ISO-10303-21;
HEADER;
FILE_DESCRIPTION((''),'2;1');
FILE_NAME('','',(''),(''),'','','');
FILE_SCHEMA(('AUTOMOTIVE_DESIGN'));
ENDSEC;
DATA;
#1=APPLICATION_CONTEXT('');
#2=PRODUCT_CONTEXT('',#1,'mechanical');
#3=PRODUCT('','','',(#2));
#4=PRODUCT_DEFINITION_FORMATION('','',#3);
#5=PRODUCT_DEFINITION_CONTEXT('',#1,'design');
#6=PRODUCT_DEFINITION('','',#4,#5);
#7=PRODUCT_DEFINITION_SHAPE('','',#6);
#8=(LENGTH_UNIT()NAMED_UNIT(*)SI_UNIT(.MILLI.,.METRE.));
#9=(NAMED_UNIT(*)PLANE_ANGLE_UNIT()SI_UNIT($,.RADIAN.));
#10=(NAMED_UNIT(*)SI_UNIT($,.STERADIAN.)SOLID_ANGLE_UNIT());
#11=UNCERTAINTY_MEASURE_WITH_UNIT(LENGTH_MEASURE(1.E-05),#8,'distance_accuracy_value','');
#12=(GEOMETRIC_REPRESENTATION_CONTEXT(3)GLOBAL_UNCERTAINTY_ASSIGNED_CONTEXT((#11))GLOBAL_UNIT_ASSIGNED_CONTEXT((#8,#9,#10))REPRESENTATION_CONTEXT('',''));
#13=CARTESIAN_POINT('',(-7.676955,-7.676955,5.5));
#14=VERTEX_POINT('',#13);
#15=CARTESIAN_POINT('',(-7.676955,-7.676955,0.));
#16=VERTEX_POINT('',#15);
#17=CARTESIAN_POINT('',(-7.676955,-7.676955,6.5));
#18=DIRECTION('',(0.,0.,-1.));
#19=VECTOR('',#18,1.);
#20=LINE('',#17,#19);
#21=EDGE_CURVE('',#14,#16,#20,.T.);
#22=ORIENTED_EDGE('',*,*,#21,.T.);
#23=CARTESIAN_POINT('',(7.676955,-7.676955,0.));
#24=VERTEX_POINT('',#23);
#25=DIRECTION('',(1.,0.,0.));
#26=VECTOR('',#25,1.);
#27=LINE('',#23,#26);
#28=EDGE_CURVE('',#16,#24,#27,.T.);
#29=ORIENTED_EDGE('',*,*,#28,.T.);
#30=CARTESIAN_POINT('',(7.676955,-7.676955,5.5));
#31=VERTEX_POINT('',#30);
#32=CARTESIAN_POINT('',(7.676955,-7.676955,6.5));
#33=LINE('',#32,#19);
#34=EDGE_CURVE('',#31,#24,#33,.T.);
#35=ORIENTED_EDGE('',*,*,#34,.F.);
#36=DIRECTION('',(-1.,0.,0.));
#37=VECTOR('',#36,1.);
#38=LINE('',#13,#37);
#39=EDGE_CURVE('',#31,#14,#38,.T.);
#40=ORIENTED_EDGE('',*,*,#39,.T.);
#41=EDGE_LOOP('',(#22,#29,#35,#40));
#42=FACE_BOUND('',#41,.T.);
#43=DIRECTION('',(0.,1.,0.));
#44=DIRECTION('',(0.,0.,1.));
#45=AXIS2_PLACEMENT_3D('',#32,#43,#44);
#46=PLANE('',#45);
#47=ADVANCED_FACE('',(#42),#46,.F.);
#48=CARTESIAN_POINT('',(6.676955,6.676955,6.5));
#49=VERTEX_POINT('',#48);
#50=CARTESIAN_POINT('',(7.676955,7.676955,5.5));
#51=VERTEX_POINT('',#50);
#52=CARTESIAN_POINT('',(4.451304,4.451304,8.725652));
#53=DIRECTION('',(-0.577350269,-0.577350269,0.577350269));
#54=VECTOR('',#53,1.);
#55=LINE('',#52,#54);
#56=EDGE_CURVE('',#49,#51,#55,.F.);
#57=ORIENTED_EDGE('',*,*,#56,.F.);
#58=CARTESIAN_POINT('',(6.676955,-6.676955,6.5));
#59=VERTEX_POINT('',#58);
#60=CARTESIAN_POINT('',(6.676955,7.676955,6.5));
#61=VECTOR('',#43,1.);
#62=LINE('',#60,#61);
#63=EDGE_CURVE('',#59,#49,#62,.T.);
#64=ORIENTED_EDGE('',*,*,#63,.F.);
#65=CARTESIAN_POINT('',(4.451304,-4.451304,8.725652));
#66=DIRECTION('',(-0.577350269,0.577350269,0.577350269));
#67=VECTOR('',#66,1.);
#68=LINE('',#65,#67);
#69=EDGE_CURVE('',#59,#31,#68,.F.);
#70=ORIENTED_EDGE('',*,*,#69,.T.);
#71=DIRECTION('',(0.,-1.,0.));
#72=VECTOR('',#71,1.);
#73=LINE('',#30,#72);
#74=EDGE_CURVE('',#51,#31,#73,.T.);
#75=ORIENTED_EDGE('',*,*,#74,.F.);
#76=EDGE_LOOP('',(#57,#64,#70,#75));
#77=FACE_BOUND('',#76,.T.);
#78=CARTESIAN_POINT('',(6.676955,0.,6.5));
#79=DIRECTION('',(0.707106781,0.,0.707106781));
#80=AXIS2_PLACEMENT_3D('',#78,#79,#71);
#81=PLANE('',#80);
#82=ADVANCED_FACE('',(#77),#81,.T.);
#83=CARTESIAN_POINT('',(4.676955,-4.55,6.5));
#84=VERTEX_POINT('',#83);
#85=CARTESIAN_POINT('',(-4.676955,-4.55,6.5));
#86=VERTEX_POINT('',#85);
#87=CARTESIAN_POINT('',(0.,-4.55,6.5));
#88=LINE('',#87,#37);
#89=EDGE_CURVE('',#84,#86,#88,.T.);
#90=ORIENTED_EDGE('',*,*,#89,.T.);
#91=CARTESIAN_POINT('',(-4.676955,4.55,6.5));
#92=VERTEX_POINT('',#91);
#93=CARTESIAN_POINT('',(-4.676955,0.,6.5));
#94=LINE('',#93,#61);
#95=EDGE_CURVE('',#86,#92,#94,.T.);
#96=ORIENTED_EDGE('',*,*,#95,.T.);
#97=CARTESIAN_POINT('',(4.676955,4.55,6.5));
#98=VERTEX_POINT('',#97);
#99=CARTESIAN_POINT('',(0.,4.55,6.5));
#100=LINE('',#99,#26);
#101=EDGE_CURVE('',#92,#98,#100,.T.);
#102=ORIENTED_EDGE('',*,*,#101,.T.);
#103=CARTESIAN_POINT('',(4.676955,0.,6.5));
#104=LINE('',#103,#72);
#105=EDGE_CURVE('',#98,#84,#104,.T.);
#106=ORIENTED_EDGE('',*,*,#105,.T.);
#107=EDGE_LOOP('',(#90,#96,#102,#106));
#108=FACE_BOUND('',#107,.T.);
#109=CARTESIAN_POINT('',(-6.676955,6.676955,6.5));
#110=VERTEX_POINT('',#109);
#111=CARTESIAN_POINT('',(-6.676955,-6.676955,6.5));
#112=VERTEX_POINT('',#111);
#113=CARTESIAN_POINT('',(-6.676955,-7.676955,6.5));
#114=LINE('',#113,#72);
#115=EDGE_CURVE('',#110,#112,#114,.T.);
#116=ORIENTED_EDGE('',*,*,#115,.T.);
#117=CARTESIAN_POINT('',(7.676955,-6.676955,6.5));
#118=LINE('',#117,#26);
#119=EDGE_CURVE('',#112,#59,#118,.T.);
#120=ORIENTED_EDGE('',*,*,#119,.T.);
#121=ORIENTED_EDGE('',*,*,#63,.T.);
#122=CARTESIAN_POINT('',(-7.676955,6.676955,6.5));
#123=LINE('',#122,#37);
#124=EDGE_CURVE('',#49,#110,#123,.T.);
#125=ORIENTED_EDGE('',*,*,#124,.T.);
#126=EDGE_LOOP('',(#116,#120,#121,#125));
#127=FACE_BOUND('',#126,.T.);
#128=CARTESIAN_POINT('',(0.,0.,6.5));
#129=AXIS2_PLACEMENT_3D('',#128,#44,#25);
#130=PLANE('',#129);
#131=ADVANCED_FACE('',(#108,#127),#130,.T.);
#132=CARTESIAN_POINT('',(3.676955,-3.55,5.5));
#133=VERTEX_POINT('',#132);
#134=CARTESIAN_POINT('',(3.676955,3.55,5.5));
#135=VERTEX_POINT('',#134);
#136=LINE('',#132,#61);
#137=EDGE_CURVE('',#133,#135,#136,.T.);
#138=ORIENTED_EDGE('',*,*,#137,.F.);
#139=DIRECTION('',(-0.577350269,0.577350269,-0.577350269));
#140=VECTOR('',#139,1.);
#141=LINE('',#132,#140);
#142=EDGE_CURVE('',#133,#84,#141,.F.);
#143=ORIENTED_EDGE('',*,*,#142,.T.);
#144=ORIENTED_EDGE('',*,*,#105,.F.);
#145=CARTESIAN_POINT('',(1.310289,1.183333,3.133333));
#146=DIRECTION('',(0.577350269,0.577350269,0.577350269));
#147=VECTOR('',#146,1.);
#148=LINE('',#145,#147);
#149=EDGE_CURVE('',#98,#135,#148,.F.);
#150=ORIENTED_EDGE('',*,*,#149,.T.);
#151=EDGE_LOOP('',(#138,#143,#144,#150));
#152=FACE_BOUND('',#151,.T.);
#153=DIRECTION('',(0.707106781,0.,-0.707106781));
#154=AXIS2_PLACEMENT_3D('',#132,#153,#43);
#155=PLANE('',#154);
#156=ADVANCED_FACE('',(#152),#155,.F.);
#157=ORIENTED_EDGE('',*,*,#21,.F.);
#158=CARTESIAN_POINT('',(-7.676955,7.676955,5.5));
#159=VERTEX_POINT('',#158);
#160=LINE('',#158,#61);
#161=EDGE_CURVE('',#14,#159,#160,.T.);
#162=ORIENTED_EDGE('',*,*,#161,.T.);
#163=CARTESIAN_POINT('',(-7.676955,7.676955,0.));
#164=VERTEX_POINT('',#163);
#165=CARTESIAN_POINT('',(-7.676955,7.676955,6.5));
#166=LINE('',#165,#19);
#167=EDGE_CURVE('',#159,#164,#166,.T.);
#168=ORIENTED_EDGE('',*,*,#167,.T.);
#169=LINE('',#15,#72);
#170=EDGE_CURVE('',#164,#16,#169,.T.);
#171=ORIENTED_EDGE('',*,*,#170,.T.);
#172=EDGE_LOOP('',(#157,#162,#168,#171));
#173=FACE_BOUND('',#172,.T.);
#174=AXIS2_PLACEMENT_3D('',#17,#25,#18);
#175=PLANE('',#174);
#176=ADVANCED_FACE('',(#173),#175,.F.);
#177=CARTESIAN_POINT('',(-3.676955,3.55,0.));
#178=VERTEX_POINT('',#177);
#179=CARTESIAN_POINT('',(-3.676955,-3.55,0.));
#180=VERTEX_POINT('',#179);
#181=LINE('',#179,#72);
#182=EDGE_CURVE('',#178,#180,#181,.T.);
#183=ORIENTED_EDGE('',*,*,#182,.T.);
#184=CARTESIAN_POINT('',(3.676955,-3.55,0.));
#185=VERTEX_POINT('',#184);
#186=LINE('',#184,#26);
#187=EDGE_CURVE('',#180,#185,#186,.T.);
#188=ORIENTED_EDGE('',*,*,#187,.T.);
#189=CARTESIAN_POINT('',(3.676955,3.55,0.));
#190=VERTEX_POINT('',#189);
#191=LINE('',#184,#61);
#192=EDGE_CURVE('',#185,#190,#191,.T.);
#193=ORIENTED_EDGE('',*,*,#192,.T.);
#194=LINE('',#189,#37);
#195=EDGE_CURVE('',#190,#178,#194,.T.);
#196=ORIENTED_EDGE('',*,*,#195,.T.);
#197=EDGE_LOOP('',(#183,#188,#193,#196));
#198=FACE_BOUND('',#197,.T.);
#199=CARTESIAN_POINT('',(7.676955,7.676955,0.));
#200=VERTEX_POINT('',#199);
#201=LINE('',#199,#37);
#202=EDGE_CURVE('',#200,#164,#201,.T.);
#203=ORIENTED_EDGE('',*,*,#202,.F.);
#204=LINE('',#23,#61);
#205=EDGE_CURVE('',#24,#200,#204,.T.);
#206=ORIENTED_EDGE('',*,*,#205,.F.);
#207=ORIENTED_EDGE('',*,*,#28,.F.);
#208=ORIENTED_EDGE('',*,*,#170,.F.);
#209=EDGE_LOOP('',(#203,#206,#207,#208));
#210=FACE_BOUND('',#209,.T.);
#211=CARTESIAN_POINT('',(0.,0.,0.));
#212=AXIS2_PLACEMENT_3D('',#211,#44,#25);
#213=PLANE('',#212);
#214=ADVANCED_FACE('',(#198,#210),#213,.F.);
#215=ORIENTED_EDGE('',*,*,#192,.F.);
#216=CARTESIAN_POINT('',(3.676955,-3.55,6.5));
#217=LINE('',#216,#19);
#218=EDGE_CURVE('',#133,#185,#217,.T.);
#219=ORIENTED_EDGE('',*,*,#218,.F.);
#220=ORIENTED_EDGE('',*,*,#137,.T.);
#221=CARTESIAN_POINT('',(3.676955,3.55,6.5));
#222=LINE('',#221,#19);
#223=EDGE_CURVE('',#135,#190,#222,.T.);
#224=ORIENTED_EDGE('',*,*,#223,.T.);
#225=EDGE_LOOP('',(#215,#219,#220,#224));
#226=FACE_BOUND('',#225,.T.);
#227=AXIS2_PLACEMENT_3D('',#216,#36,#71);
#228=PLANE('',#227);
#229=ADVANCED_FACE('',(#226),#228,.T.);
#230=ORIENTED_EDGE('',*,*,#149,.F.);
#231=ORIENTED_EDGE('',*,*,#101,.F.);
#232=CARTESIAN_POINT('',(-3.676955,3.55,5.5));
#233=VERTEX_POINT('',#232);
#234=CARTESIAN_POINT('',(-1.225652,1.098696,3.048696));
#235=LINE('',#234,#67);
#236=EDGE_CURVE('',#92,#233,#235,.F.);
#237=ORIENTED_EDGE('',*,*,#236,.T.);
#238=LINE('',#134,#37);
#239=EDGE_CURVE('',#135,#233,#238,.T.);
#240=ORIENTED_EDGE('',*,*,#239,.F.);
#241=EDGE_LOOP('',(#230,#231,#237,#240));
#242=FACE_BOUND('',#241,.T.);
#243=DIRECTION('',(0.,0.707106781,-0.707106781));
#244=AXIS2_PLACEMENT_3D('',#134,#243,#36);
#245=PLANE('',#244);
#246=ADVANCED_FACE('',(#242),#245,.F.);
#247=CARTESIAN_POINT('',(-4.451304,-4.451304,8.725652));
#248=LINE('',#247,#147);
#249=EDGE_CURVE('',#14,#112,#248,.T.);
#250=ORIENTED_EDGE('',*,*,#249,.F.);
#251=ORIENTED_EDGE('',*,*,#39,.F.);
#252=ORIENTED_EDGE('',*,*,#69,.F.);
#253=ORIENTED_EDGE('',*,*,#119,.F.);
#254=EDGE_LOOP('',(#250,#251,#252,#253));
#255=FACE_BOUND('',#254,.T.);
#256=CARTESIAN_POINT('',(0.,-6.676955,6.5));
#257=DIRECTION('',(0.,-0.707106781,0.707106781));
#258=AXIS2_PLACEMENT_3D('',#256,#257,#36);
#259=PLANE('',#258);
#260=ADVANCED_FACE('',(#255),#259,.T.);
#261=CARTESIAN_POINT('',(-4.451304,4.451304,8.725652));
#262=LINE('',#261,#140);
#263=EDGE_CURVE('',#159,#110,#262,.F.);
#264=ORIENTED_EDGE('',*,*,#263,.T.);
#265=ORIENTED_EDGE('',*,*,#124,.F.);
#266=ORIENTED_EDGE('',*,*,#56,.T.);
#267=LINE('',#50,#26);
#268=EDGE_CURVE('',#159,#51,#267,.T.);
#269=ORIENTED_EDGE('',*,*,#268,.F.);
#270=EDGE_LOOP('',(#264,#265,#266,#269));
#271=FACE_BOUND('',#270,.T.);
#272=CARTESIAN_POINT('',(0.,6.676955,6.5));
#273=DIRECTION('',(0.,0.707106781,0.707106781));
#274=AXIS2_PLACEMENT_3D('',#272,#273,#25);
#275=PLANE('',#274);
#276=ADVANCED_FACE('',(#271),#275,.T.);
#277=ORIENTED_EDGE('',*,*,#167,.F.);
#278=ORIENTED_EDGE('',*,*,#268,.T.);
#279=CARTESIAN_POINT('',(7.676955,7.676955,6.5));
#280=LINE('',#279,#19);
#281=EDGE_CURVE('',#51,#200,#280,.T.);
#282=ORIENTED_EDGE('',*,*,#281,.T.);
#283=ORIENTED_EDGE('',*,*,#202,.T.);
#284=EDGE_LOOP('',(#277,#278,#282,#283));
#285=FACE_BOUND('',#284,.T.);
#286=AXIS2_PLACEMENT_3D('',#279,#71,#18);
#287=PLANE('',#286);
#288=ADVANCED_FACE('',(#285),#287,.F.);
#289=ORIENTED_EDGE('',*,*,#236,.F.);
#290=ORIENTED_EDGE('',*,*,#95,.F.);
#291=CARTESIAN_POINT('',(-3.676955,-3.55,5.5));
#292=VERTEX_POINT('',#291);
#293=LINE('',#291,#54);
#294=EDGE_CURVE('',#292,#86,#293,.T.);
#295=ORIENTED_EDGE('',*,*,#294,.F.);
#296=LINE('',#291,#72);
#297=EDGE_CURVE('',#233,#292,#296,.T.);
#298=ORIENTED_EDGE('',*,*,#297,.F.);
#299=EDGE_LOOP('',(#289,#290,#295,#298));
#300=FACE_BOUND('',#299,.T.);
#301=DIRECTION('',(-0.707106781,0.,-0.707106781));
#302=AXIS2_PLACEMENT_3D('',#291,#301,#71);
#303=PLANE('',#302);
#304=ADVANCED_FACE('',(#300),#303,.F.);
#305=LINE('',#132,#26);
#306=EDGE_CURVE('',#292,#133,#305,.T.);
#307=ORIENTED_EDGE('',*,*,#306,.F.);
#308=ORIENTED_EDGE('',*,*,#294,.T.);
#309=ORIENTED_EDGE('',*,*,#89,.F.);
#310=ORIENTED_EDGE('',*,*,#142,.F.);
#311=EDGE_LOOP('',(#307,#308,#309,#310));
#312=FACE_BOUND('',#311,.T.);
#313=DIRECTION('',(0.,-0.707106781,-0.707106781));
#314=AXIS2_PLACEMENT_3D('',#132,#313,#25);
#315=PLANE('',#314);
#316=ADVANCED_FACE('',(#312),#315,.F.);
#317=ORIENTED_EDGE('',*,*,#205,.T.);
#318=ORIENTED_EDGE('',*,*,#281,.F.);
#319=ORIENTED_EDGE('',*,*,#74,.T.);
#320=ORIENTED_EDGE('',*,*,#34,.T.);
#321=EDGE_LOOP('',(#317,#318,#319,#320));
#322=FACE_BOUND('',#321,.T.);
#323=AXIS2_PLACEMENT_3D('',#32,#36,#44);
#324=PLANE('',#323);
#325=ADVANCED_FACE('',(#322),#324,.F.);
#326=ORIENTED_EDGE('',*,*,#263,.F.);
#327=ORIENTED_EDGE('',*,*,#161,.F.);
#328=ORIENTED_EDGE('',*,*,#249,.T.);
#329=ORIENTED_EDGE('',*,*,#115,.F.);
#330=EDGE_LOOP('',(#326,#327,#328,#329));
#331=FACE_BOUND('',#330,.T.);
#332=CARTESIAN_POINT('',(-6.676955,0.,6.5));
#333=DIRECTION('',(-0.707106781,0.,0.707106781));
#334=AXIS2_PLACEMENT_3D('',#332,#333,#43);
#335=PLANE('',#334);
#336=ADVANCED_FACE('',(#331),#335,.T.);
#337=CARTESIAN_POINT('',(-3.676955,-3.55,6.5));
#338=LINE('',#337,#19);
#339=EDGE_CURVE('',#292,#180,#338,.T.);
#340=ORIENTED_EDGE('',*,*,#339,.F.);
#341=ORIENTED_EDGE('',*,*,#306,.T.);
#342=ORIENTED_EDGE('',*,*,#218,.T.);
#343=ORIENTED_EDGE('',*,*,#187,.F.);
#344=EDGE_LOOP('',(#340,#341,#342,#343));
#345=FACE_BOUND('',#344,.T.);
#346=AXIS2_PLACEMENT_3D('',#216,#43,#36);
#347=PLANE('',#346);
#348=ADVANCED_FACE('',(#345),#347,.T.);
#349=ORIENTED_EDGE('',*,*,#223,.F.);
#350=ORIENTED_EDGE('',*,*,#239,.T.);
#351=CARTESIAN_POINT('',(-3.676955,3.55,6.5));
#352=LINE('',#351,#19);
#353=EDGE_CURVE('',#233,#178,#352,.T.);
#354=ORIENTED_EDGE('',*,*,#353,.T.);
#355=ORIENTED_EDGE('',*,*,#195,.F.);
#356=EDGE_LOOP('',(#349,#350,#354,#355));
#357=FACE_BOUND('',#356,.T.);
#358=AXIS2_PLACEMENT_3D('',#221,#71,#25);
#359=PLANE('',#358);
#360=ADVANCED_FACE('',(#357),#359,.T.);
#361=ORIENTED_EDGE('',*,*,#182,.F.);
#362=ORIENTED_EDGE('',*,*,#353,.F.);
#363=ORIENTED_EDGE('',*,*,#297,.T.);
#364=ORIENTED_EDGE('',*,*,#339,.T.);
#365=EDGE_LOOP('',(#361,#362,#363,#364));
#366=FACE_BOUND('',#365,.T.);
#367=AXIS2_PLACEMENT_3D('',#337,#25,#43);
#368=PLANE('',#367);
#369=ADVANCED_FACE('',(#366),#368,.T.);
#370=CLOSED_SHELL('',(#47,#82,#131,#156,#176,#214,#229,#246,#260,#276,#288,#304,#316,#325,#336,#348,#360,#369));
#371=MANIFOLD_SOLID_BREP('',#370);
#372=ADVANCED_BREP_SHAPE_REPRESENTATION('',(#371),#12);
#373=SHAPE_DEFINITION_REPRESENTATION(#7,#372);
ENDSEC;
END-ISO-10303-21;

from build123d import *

# Parameters (mm, degrees)
SKETCH1_W           = 15.353910524
SKETCH1_H           = 15.353910524
SKETCH1_W_2         = 7.353910524
SKETCH1_H_2         = 7.1
BOSS_EXTRUDE1_DEPTH = 6.5
CHAMFER1_SIZE       = 1


with BuildPart() as part:
    # Sketch1 → Boss-Extrude1 (new body)
    with BuildSketch(Plane.XY):
        Rectangle(SKETCH1_W, SKETCH1_H)
        Rectangle(SKETCH1_W_2, SKETCH1_H_2, mode=Mode.SUBTRACT)
    extrude(amount=BOSS_EXTRUDE1_DEPTH)

    # Chamfer1
    chamfer1_edges = [part.edges().sort_by_distance(p)[0] for p in [
        (7.676955262, 0, 6.5),
        (-3.676955262, 0, 6.5),
        (0, 7.676955262, 6.5),
        (0, -3.55, 6.5),
        (3.676955262, 0, 6.5),
        (0, 3.55, 6.5),
        (-7.676955262, 0, 6.5),
        (0, -7.676955262, 6.5),
    ]]
    chamfer(chamfer1_edges, length=CHAMFER1_SIZE)


solid = part.part
